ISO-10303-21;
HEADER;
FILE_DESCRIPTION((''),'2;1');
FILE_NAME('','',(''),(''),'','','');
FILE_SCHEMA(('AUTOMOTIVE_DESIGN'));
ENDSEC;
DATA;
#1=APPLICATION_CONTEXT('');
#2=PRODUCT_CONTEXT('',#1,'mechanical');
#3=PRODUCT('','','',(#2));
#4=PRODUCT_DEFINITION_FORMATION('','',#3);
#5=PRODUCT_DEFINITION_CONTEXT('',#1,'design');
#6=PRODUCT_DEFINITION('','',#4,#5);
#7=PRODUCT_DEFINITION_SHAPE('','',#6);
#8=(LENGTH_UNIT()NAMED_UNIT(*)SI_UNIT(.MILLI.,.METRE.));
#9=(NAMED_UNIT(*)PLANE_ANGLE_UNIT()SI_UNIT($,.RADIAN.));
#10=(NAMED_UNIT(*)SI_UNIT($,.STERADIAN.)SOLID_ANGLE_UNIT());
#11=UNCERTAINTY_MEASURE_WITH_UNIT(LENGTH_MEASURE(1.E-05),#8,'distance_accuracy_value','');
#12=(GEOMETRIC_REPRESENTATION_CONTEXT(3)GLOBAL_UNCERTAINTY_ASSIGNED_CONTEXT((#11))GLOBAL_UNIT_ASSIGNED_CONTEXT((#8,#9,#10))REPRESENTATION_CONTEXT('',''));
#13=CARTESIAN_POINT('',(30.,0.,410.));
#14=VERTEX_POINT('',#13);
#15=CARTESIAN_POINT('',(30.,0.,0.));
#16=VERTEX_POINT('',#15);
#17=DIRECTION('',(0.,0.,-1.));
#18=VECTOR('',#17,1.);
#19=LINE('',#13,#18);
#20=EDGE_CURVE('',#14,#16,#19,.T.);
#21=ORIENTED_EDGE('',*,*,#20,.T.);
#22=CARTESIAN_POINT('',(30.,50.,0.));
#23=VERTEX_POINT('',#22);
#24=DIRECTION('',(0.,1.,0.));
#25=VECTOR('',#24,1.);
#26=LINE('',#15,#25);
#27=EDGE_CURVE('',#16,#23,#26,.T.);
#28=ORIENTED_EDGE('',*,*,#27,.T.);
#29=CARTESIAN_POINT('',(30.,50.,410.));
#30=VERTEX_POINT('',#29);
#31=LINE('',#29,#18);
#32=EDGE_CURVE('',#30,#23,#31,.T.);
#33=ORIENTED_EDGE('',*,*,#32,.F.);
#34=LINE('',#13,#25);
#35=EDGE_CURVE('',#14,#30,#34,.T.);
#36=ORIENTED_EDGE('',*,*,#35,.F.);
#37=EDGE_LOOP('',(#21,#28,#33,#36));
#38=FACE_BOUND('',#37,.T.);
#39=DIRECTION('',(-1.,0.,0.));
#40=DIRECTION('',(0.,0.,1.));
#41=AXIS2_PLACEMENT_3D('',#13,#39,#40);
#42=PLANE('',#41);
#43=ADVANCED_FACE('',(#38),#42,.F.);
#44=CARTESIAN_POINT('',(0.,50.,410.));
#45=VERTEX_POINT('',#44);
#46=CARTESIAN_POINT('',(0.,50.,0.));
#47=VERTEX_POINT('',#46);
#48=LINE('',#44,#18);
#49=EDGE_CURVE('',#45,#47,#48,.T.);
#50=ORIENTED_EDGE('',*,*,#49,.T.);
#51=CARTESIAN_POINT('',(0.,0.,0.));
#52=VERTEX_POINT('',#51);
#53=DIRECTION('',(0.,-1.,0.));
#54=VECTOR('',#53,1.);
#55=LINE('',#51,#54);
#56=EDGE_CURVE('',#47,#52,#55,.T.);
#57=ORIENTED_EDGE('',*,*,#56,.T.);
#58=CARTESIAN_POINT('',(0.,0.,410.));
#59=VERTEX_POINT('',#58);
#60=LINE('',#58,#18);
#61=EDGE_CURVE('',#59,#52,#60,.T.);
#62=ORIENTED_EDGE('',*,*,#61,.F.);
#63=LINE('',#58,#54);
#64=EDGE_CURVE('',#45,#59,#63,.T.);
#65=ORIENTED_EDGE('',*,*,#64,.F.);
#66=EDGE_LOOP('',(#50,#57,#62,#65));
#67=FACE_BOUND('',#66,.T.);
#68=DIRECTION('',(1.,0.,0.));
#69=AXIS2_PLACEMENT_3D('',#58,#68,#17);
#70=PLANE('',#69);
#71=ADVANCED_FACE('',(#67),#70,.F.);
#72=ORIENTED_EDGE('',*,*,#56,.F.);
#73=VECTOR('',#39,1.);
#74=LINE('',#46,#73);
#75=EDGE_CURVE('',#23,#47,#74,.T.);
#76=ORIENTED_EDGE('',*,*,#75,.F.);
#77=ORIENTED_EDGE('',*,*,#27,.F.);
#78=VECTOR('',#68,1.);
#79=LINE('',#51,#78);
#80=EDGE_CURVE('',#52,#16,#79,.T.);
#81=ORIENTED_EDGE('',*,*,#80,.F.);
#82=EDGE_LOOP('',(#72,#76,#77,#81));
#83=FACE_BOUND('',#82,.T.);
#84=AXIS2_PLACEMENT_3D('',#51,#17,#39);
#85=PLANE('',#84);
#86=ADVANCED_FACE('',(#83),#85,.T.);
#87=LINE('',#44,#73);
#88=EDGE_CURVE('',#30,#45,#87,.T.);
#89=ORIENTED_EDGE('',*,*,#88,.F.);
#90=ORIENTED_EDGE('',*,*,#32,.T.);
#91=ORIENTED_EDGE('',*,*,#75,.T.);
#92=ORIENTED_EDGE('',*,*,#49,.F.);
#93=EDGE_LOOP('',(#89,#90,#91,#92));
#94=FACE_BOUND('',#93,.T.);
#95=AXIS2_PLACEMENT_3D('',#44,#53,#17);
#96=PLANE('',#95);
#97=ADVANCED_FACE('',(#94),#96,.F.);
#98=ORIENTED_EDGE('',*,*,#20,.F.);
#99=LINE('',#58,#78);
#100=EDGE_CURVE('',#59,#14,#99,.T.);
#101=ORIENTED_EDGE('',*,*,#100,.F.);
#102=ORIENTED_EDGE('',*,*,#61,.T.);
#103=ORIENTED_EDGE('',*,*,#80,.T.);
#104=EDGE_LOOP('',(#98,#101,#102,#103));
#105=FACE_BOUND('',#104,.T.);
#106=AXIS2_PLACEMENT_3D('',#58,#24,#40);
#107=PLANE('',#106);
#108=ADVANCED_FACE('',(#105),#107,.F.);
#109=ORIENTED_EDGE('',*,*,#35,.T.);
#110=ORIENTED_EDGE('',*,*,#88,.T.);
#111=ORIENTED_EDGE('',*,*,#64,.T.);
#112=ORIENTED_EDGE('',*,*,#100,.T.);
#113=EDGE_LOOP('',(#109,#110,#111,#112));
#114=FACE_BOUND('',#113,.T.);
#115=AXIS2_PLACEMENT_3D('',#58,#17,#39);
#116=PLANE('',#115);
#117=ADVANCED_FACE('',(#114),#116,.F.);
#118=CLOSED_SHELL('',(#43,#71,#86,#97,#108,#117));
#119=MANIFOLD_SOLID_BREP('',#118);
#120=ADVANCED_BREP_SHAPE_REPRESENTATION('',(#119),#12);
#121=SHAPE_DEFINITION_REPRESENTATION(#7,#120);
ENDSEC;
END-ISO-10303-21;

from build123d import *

# Parameters (mm, degrees)
ESQUISSE1_W        = 30
ESQUISSE1_H        = 50
BOSS_EXTRU_1_DEPTH = 410


with BuildPart() as part:
    # Esquisse1 → Boss.-Extru.1 (new body)
    with BuildSketch(Plane.XY):
        with Locations((15, 25)):
            Rectangle(ESQUISSE1_W, ESQUISSE1_H)
    extrude(amount=BOSS_EXTRU_1_DEPTH)


solid = part.part
